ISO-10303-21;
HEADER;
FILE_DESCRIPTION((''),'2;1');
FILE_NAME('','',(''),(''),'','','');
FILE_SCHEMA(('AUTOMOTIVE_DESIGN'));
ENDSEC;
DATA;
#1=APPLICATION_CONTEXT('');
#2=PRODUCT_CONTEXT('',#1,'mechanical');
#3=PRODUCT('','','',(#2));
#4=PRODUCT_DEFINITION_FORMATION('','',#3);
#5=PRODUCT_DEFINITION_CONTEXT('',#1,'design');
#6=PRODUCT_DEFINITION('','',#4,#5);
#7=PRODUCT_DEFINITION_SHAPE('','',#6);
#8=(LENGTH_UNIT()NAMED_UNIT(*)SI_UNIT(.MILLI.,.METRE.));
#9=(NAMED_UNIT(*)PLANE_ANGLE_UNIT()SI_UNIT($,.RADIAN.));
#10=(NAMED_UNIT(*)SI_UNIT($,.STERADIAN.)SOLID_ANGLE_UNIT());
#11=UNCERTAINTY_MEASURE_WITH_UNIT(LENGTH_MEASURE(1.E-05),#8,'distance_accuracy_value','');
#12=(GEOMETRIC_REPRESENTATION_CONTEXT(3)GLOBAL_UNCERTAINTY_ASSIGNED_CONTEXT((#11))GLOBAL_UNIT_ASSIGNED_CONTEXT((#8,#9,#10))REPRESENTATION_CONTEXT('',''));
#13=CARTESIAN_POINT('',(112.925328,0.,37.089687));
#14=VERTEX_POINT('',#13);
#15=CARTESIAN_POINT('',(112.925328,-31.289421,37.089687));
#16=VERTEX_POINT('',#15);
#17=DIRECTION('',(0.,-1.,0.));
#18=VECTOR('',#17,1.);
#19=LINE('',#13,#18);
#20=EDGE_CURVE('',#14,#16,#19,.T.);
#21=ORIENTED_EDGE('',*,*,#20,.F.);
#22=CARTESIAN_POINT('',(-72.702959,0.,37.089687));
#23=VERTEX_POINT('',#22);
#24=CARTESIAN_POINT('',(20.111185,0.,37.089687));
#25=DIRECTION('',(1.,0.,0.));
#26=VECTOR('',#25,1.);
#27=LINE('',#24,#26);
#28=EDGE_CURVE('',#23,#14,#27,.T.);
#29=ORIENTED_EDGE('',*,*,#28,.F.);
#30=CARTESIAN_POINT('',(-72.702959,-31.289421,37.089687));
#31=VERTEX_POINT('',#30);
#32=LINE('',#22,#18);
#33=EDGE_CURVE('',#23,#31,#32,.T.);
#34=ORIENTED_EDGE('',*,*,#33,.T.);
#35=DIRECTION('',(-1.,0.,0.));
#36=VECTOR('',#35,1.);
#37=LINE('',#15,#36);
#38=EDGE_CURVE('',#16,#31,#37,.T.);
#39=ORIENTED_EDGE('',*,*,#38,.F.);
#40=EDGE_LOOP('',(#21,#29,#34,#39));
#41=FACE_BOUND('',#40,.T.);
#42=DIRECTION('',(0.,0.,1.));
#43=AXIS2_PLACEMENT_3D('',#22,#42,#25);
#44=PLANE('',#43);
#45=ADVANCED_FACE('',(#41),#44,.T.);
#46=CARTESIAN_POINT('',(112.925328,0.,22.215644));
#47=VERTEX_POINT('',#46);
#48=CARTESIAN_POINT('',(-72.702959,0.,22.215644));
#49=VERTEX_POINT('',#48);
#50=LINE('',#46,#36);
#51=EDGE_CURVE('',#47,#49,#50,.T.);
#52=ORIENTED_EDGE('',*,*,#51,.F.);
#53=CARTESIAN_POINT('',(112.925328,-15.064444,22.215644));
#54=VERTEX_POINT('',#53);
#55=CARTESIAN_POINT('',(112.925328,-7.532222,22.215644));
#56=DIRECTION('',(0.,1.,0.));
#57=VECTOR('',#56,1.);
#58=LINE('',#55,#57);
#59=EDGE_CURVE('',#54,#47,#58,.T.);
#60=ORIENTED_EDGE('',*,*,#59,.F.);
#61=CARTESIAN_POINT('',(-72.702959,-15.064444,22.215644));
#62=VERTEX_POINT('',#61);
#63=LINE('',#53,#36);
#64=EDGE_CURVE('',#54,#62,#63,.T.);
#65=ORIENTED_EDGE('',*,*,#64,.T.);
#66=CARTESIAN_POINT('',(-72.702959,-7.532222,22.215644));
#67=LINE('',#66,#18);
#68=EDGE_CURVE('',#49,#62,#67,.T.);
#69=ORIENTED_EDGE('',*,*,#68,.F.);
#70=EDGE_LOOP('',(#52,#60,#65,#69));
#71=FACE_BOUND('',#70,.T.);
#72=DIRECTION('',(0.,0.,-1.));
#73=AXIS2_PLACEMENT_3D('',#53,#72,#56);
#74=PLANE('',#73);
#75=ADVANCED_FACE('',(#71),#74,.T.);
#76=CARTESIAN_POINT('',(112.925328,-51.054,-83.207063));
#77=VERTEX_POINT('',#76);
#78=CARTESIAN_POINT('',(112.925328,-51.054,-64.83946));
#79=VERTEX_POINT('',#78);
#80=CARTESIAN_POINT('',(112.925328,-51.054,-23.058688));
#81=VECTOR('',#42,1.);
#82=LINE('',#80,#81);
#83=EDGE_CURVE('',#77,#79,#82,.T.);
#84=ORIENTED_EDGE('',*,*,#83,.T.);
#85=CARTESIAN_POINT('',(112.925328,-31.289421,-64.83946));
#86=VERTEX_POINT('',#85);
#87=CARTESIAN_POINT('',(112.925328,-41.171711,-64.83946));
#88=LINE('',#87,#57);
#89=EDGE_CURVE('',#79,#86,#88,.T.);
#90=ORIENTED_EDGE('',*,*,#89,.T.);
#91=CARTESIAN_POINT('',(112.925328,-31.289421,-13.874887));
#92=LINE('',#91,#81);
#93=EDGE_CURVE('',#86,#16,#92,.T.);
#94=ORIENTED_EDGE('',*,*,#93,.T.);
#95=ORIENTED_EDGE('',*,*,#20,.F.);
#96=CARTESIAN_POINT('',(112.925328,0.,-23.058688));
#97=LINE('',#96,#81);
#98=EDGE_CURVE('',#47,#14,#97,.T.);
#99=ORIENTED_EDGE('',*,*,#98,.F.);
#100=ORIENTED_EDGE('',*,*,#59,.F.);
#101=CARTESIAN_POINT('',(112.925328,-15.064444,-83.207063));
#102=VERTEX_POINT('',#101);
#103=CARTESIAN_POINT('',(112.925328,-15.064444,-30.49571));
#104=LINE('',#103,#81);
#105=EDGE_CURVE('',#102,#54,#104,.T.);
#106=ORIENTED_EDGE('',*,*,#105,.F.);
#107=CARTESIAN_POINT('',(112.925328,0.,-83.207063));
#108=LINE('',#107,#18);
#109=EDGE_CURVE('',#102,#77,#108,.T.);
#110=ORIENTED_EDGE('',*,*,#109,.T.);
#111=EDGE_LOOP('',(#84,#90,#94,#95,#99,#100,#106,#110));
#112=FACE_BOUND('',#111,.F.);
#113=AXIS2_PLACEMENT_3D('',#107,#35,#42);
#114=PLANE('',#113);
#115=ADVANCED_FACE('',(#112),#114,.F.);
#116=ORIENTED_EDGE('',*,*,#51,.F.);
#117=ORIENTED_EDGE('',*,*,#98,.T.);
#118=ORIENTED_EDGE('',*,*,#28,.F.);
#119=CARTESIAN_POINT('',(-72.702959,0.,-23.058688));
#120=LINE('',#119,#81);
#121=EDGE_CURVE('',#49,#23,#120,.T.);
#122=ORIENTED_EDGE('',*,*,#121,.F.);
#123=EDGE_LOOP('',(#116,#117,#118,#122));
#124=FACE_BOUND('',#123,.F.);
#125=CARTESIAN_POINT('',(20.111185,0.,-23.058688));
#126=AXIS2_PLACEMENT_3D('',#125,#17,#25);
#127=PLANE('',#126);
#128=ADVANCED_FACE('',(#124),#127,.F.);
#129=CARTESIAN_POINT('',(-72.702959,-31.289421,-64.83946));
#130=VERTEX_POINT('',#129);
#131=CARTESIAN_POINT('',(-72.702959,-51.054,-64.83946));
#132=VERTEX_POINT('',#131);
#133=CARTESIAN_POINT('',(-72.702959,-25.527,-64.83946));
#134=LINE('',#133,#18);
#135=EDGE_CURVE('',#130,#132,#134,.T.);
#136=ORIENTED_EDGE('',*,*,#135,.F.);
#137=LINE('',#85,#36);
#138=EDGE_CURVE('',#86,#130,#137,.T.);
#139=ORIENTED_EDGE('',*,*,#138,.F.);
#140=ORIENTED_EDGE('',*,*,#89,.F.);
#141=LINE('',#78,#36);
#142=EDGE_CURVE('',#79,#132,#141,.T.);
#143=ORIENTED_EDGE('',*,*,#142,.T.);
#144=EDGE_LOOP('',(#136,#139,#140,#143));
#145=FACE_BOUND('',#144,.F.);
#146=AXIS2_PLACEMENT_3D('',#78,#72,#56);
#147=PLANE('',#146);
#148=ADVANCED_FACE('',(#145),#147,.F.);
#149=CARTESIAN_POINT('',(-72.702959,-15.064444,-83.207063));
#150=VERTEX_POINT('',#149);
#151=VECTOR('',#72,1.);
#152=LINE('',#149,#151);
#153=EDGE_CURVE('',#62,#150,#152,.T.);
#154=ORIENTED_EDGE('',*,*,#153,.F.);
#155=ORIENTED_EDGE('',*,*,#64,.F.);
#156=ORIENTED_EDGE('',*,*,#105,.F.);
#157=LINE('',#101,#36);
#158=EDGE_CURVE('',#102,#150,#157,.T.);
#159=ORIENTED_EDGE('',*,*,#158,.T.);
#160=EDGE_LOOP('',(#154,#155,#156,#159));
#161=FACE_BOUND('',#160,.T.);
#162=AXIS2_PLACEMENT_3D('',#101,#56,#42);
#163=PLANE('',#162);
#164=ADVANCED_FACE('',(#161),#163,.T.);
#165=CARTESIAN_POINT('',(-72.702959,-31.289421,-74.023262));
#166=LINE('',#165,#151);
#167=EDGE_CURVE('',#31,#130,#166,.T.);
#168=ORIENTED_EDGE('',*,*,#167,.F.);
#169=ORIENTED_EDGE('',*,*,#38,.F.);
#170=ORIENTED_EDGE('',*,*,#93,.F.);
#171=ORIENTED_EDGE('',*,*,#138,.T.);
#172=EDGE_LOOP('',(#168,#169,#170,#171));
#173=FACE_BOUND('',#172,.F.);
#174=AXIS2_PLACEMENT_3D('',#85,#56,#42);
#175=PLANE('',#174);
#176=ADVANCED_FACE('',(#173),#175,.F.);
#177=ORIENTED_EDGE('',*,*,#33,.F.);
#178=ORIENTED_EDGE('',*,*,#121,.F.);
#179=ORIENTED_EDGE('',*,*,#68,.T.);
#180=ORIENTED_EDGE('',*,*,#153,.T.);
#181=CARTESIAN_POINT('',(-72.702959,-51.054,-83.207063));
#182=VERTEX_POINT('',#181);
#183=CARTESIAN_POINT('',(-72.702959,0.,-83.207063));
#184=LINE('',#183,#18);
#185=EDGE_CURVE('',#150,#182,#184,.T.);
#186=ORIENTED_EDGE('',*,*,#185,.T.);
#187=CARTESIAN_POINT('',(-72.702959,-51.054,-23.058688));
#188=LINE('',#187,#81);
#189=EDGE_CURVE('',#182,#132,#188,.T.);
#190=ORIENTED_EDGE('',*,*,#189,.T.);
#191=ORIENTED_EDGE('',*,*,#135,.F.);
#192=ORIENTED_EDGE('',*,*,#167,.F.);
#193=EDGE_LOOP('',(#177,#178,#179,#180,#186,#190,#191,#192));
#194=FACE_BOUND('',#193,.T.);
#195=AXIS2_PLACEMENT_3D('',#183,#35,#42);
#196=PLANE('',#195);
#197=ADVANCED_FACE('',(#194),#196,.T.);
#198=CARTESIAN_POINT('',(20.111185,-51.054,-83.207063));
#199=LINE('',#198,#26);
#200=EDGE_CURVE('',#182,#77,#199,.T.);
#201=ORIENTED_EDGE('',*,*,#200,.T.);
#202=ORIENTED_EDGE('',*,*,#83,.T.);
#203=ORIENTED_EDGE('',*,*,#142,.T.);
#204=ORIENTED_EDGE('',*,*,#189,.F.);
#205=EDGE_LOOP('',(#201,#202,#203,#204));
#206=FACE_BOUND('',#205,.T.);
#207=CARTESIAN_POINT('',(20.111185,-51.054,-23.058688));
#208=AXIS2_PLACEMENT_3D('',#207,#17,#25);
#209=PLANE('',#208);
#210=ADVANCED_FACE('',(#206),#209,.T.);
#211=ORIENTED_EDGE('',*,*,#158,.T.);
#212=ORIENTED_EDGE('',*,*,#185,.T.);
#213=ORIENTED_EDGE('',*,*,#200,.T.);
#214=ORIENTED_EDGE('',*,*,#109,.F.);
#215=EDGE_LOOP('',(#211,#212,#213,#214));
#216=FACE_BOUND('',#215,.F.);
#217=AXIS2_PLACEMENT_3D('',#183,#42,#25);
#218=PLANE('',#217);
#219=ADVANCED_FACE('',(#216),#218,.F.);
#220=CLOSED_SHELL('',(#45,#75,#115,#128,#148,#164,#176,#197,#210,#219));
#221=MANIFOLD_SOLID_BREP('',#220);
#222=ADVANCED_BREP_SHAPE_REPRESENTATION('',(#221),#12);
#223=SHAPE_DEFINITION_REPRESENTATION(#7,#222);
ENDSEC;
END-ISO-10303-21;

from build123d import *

# Parameters (mm, degrees)
F0_W     = 185.6282874942
F0_H     = 120.2967502177
F1_DEPTH = 51.054
F2_W     = 19.7645789781
F2_H     = 101.9291467965
F3_DEPTH = 220.218
F4_W     = 15.0644443929
F4_H     = 105.4227072746
F5_DEPTH = 191.262


with BuildPart() as f1:
    # F0 (on Front) → F1 (new body)
    with BuildSketch(Plane.XZ):
        with Locations((20.1111845672, -23.0586882681)):
            Rectangle(F0_W, F0_H)
    extrude(amount=F1_DEPTH)

    # F2 (on face) → F3 (cut)
    with BuildSketch(Plane.YZ.offset(112.9253283143)):
        with Locations((-41.171710511, -13.8748865575)):
            Rectangle(F2_W, F2_H)
    extrude(amount=-F3_DEPTH, mode=Mode.SUBTRACT)

    # F4 (on face) → F5 (cut)
    with BuildSketch(Plane.YZ.offset(112.9253283143)):
        with Locations((-7.5322221965, -30.4957097396)):
            Rectangle(F4_W, F4_H)
    extrude(amount=-F5_DEPTH, mode=Mode.SUBTRACT)


solid = f1.part
